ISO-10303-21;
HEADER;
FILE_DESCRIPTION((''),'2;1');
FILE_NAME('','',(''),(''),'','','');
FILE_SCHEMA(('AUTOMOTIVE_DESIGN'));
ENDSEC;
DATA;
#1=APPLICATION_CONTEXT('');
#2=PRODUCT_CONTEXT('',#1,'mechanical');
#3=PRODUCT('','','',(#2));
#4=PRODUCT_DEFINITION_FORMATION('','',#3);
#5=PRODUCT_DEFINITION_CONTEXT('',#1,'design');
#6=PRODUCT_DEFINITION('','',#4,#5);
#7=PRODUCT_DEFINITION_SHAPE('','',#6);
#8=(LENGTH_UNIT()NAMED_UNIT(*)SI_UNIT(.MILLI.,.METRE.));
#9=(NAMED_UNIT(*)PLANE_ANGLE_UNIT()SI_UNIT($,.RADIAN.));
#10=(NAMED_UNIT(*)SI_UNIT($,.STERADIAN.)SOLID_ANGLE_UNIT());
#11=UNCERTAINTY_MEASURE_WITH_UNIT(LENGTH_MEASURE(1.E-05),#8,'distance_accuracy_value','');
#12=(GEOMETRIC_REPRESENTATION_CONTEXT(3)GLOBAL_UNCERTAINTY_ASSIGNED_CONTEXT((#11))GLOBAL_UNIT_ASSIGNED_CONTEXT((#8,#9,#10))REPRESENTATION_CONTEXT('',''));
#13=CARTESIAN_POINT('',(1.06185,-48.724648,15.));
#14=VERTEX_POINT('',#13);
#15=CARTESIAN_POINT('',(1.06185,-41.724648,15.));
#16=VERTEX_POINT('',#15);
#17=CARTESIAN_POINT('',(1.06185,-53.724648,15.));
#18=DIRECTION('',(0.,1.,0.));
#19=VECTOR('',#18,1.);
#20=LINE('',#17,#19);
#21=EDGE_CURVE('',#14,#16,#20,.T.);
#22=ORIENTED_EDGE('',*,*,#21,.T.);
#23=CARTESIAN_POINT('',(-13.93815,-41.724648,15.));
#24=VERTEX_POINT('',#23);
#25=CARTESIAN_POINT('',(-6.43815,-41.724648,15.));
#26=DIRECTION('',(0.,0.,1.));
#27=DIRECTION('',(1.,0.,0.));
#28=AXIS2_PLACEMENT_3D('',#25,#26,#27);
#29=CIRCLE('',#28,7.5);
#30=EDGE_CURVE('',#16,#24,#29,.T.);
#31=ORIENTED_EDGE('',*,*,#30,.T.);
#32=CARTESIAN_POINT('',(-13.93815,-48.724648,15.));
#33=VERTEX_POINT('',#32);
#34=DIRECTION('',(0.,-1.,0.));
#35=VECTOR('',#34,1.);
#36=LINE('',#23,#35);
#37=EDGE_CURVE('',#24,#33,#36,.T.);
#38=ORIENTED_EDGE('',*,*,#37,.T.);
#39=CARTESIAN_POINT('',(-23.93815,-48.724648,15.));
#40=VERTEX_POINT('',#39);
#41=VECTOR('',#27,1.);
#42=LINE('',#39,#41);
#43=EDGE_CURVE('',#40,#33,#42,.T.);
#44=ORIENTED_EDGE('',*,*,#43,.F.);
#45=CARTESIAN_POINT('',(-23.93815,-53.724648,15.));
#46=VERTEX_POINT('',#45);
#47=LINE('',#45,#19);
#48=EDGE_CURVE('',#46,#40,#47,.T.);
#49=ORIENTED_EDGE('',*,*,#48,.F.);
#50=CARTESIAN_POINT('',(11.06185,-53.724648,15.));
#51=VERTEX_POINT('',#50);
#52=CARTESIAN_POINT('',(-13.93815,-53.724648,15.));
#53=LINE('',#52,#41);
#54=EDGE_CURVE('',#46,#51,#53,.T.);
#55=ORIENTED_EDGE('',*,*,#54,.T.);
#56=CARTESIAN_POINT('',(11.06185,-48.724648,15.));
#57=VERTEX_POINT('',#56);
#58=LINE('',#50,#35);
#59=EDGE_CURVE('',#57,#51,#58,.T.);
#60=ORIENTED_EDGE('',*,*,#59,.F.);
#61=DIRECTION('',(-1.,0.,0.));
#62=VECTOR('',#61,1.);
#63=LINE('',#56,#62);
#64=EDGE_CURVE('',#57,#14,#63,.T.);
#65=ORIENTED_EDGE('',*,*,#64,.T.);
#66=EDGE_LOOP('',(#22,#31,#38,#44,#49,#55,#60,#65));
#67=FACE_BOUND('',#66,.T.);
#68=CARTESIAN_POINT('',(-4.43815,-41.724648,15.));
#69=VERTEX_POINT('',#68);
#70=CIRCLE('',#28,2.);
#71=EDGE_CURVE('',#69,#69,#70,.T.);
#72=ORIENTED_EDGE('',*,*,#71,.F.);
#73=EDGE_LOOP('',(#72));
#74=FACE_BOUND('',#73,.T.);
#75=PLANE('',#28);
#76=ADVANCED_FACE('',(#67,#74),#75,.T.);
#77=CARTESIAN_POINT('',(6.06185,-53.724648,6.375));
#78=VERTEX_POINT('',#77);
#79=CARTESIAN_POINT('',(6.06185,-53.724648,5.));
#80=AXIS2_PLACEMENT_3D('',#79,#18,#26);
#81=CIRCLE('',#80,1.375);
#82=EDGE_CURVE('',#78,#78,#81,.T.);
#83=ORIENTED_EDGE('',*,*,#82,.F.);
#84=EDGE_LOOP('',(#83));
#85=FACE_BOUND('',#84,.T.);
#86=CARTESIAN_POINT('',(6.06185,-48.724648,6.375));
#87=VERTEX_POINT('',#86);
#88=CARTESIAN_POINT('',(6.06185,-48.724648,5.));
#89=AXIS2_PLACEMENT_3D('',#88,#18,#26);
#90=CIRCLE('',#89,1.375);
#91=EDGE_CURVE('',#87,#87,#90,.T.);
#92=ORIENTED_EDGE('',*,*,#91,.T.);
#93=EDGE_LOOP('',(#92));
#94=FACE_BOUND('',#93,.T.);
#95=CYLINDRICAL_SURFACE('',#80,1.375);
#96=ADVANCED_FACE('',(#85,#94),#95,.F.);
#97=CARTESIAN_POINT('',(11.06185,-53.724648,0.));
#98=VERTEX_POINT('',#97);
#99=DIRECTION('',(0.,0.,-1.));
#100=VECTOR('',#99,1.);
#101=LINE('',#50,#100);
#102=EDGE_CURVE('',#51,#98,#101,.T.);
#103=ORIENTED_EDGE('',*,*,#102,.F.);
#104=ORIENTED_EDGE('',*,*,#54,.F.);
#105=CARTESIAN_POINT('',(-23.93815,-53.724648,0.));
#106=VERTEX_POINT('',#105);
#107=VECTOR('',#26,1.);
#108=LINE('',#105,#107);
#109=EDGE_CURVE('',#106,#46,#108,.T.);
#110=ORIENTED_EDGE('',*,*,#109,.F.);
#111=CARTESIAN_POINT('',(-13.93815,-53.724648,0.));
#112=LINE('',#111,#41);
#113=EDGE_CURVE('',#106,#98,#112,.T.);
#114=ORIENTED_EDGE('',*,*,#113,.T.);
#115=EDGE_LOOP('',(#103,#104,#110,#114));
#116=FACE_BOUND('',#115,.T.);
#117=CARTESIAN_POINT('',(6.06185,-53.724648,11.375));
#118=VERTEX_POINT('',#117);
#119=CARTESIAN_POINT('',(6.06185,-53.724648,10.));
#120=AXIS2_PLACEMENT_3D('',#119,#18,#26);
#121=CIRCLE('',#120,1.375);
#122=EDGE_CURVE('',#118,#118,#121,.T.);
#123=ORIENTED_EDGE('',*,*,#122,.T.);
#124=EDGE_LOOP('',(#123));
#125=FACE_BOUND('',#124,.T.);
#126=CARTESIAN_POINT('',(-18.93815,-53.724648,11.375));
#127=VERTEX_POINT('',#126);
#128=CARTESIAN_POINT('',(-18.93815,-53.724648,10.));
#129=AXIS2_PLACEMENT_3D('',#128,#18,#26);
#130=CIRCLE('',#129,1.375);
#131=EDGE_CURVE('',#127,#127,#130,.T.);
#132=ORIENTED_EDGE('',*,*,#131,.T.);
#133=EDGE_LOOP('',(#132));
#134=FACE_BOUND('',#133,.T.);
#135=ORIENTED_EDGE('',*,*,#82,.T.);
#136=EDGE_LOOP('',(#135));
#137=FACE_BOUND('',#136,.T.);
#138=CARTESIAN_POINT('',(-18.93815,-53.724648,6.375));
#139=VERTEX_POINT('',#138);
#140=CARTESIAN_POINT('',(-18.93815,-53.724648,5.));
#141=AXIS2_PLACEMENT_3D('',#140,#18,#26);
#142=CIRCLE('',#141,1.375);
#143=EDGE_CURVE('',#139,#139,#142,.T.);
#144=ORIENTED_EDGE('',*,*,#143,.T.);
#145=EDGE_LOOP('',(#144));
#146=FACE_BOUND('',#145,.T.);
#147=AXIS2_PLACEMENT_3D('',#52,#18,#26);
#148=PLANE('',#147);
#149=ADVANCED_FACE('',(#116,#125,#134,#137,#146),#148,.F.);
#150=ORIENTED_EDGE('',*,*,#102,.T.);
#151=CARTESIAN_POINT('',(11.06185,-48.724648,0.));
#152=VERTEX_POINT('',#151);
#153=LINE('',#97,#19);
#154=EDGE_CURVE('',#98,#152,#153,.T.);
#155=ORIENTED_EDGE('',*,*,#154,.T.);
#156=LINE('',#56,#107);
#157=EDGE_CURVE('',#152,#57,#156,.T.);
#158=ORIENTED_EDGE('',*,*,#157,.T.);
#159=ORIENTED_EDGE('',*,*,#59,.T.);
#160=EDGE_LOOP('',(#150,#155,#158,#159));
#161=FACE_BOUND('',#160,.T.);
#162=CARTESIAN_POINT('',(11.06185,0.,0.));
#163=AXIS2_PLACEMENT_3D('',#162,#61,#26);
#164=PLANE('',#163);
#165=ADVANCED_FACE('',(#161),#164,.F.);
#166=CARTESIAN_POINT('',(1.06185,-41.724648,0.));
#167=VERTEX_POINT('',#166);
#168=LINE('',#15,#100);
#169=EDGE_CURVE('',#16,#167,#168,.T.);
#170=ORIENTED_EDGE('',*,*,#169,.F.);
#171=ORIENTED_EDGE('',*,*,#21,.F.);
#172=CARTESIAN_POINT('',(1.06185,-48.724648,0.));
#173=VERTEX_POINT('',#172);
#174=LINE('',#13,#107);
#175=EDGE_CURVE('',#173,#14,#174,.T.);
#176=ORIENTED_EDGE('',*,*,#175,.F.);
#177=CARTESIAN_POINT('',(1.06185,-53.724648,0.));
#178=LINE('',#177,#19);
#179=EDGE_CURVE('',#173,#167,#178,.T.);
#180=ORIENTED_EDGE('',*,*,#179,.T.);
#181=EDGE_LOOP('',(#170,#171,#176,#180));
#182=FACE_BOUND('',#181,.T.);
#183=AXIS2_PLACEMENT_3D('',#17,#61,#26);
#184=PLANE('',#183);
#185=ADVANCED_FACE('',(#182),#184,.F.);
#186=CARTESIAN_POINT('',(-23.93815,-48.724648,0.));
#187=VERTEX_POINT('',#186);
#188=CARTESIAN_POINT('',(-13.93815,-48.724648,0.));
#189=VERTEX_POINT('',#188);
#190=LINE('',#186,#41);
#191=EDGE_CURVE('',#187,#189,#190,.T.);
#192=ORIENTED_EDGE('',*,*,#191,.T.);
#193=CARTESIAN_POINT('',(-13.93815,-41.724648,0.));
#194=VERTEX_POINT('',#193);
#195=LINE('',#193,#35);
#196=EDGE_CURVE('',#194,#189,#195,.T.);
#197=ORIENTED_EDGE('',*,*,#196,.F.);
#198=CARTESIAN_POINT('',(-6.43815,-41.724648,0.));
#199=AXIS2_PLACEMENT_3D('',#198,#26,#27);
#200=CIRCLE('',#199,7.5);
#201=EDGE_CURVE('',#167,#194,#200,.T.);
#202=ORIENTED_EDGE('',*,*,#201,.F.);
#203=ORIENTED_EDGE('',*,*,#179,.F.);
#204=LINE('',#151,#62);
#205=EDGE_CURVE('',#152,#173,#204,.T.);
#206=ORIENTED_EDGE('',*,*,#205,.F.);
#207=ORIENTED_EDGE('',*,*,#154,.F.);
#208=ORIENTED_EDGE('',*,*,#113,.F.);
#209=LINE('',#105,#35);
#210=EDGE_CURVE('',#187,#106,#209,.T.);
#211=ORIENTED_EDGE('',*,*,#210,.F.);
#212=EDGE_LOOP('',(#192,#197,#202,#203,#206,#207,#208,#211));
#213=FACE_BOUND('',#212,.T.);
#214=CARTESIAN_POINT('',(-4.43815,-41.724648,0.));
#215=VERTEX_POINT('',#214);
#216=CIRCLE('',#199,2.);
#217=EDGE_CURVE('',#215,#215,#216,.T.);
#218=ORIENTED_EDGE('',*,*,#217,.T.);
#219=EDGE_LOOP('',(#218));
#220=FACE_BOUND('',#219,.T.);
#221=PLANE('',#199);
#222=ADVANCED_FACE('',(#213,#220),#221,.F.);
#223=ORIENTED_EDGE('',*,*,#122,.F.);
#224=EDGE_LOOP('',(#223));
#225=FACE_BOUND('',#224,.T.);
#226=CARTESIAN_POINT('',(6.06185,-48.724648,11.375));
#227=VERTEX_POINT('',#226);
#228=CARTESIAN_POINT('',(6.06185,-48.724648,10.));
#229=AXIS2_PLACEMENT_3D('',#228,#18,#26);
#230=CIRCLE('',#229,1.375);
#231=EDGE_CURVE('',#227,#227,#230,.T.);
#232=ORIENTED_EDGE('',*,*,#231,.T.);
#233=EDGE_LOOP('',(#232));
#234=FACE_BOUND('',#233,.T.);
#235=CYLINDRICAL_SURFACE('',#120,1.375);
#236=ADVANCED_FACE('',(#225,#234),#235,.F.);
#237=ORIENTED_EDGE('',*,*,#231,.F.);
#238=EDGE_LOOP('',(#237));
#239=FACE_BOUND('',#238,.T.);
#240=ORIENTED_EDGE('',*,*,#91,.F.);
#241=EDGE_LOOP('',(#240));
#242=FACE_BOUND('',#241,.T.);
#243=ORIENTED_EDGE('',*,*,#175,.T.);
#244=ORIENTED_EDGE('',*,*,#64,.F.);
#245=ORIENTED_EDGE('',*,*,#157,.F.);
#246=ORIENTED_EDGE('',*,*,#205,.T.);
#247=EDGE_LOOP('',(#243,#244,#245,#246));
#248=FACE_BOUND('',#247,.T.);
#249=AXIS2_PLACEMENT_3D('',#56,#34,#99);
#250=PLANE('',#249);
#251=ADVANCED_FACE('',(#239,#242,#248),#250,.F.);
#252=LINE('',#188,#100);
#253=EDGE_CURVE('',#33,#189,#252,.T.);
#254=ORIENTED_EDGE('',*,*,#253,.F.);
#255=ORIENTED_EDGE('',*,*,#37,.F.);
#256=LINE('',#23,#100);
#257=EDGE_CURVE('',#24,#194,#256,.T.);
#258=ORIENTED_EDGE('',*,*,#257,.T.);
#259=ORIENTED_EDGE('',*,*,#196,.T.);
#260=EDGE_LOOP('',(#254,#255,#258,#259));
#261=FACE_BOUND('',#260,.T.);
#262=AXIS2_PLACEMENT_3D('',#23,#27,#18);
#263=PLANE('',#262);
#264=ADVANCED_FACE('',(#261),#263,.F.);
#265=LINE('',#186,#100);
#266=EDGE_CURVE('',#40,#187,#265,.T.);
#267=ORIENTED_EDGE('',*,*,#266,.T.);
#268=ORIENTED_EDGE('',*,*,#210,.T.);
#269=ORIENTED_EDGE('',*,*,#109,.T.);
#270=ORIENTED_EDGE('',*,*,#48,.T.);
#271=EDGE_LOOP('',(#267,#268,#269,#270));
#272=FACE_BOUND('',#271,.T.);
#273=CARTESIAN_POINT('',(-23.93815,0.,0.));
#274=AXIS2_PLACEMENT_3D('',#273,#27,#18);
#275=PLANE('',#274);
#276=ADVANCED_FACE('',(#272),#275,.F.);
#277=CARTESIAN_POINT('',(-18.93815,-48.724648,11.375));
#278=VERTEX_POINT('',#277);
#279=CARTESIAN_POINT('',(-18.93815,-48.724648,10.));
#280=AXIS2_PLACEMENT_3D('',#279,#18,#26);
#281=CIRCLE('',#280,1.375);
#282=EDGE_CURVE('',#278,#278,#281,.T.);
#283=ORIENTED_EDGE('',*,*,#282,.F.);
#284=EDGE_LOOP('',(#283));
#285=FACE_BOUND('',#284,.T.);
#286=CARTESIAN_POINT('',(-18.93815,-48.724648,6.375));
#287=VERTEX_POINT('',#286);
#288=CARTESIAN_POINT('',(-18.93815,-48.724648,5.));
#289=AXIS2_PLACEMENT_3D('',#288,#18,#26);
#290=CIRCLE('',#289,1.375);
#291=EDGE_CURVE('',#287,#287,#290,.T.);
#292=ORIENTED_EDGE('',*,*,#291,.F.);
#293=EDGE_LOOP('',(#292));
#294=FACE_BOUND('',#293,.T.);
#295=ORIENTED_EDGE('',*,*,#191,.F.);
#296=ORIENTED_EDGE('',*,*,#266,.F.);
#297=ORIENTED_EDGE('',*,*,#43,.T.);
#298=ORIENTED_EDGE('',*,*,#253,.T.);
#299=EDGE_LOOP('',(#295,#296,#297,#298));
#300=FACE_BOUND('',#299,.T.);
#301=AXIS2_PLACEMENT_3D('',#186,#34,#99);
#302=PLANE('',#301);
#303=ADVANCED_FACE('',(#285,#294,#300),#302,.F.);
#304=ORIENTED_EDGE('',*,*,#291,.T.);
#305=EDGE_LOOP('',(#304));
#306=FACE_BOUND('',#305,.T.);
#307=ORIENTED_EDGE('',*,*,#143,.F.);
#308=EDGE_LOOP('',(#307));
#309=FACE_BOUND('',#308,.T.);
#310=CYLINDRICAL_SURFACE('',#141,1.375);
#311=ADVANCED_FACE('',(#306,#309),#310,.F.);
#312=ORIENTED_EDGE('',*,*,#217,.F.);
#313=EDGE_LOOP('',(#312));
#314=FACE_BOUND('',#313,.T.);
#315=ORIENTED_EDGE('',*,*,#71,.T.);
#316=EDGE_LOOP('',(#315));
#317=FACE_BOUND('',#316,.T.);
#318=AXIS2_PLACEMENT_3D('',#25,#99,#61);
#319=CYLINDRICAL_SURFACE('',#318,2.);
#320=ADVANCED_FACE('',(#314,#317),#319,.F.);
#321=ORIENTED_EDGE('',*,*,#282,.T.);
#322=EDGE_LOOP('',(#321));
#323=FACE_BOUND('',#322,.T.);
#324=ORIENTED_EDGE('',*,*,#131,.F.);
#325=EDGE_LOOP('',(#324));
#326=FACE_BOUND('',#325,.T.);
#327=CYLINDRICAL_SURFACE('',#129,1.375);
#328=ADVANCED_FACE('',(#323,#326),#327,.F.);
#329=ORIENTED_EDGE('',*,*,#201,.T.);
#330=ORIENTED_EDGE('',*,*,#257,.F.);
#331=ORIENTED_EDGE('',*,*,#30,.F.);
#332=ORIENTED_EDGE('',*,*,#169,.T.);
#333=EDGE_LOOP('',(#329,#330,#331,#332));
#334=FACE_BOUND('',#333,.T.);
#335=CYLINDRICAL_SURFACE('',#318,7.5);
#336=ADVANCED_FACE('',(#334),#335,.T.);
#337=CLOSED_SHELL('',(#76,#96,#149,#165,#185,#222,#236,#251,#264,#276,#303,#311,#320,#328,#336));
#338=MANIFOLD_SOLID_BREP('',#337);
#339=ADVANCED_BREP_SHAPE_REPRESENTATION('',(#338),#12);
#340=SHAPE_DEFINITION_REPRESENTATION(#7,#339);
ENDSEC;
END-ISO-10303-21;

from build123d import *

# Parameters (mm, degrees)
SKETCH1_R           = 2
BOSS_EXTRUDE1_DEPTH = 15
SKETCH8_W           = 15
SKETCH8_H           = 5
BOSS_EXTRUDE6_DEPTH = 10
SKETCH9_W           = 15
SKETCH9_H           = 5
BOSS_EXTRUDE7_DEPTH = 10
SKETCH10_R          = 1.375
CUT_EXTRUDE1_DEPTH  = 32.753503892


with BuildPart() as part:
    # Sketch1 → Boss-Extrude1 (new body)
    with BuildSketch(Plane.XY):
        with BuildLine():
            Line((-13.938149665, -41.724647752), (-13.938149665, -53.724647752))
            Line((-13.938149665, -53.724647752), (1.061850335, -53.724647752))
            Line((1.061850335, -53.724647752), (1.061850335, -41.724647752))
            ThreePointArc((1.061850335, -41.724647752), (-6.438149665, -34.224647752), (-13.938149665, -41.724647752))
        make_face()
        with Locations((-6.438149665, -41.724647752)):
            Circle(SKETCH1_R, mode=Mode.SUBTRACT)
    extrude(amount=BOSS_EXTRUDE1_DEPTH)

    # Sketch8 → Boss-Extrude6 (add)
    with BuildSketch(Plane.ZY.offset(13.938149665)):
        with Locations((7.5, -51.224647752)):
            Rectangle(SKETCH8_W, SKETCH8_H)
    extrude(amount=BOSS_EXTRUDE6_DEPTH)

    # Sketch9 → Boss-Extrude7 (add)
    with BuildSketch(Plane(origin=(1.061850335, 0, 0), x_dir=(0, 0, -1), z_dir=(1, 0, 0))):
        with Locations((-7.5, -51.224647752)):
            Rectangle(SKETCH9_W, SKETCH9_H)
    extrude(amount=BOSS_EXTRUDE7_DEPTH)

    # Sketch10 → Cut-Extrude1 (cut, through all)
    with BuildSketch(Plane(origin=(0, -48.724647752, 0), x_dir=(1, 0, 0), z_dir=(0, 1, 0))):
        with Locations(Location((6.061850335, -10, 0), (0, 0, 270))):
            Circle(SKETCH10_R)
        with Locations(Location((6.061850335, -5, 0), (0, 0, 270))):
            Circle(SKETCH10_R)
        with Locations(Location((-18.938149665, -10, 0), (0, 0, 270))):
            Circle(SKETCH10_R)
        with Locations(Location((-18.938149665, -5, 0), (0, 0, 270))):
            Circle(SKETCH10_R)
    extrude(amount=-CUT_EXTRUDE1_DEPTH, mode=Mode.SUBTRACT)


solid = part.part
